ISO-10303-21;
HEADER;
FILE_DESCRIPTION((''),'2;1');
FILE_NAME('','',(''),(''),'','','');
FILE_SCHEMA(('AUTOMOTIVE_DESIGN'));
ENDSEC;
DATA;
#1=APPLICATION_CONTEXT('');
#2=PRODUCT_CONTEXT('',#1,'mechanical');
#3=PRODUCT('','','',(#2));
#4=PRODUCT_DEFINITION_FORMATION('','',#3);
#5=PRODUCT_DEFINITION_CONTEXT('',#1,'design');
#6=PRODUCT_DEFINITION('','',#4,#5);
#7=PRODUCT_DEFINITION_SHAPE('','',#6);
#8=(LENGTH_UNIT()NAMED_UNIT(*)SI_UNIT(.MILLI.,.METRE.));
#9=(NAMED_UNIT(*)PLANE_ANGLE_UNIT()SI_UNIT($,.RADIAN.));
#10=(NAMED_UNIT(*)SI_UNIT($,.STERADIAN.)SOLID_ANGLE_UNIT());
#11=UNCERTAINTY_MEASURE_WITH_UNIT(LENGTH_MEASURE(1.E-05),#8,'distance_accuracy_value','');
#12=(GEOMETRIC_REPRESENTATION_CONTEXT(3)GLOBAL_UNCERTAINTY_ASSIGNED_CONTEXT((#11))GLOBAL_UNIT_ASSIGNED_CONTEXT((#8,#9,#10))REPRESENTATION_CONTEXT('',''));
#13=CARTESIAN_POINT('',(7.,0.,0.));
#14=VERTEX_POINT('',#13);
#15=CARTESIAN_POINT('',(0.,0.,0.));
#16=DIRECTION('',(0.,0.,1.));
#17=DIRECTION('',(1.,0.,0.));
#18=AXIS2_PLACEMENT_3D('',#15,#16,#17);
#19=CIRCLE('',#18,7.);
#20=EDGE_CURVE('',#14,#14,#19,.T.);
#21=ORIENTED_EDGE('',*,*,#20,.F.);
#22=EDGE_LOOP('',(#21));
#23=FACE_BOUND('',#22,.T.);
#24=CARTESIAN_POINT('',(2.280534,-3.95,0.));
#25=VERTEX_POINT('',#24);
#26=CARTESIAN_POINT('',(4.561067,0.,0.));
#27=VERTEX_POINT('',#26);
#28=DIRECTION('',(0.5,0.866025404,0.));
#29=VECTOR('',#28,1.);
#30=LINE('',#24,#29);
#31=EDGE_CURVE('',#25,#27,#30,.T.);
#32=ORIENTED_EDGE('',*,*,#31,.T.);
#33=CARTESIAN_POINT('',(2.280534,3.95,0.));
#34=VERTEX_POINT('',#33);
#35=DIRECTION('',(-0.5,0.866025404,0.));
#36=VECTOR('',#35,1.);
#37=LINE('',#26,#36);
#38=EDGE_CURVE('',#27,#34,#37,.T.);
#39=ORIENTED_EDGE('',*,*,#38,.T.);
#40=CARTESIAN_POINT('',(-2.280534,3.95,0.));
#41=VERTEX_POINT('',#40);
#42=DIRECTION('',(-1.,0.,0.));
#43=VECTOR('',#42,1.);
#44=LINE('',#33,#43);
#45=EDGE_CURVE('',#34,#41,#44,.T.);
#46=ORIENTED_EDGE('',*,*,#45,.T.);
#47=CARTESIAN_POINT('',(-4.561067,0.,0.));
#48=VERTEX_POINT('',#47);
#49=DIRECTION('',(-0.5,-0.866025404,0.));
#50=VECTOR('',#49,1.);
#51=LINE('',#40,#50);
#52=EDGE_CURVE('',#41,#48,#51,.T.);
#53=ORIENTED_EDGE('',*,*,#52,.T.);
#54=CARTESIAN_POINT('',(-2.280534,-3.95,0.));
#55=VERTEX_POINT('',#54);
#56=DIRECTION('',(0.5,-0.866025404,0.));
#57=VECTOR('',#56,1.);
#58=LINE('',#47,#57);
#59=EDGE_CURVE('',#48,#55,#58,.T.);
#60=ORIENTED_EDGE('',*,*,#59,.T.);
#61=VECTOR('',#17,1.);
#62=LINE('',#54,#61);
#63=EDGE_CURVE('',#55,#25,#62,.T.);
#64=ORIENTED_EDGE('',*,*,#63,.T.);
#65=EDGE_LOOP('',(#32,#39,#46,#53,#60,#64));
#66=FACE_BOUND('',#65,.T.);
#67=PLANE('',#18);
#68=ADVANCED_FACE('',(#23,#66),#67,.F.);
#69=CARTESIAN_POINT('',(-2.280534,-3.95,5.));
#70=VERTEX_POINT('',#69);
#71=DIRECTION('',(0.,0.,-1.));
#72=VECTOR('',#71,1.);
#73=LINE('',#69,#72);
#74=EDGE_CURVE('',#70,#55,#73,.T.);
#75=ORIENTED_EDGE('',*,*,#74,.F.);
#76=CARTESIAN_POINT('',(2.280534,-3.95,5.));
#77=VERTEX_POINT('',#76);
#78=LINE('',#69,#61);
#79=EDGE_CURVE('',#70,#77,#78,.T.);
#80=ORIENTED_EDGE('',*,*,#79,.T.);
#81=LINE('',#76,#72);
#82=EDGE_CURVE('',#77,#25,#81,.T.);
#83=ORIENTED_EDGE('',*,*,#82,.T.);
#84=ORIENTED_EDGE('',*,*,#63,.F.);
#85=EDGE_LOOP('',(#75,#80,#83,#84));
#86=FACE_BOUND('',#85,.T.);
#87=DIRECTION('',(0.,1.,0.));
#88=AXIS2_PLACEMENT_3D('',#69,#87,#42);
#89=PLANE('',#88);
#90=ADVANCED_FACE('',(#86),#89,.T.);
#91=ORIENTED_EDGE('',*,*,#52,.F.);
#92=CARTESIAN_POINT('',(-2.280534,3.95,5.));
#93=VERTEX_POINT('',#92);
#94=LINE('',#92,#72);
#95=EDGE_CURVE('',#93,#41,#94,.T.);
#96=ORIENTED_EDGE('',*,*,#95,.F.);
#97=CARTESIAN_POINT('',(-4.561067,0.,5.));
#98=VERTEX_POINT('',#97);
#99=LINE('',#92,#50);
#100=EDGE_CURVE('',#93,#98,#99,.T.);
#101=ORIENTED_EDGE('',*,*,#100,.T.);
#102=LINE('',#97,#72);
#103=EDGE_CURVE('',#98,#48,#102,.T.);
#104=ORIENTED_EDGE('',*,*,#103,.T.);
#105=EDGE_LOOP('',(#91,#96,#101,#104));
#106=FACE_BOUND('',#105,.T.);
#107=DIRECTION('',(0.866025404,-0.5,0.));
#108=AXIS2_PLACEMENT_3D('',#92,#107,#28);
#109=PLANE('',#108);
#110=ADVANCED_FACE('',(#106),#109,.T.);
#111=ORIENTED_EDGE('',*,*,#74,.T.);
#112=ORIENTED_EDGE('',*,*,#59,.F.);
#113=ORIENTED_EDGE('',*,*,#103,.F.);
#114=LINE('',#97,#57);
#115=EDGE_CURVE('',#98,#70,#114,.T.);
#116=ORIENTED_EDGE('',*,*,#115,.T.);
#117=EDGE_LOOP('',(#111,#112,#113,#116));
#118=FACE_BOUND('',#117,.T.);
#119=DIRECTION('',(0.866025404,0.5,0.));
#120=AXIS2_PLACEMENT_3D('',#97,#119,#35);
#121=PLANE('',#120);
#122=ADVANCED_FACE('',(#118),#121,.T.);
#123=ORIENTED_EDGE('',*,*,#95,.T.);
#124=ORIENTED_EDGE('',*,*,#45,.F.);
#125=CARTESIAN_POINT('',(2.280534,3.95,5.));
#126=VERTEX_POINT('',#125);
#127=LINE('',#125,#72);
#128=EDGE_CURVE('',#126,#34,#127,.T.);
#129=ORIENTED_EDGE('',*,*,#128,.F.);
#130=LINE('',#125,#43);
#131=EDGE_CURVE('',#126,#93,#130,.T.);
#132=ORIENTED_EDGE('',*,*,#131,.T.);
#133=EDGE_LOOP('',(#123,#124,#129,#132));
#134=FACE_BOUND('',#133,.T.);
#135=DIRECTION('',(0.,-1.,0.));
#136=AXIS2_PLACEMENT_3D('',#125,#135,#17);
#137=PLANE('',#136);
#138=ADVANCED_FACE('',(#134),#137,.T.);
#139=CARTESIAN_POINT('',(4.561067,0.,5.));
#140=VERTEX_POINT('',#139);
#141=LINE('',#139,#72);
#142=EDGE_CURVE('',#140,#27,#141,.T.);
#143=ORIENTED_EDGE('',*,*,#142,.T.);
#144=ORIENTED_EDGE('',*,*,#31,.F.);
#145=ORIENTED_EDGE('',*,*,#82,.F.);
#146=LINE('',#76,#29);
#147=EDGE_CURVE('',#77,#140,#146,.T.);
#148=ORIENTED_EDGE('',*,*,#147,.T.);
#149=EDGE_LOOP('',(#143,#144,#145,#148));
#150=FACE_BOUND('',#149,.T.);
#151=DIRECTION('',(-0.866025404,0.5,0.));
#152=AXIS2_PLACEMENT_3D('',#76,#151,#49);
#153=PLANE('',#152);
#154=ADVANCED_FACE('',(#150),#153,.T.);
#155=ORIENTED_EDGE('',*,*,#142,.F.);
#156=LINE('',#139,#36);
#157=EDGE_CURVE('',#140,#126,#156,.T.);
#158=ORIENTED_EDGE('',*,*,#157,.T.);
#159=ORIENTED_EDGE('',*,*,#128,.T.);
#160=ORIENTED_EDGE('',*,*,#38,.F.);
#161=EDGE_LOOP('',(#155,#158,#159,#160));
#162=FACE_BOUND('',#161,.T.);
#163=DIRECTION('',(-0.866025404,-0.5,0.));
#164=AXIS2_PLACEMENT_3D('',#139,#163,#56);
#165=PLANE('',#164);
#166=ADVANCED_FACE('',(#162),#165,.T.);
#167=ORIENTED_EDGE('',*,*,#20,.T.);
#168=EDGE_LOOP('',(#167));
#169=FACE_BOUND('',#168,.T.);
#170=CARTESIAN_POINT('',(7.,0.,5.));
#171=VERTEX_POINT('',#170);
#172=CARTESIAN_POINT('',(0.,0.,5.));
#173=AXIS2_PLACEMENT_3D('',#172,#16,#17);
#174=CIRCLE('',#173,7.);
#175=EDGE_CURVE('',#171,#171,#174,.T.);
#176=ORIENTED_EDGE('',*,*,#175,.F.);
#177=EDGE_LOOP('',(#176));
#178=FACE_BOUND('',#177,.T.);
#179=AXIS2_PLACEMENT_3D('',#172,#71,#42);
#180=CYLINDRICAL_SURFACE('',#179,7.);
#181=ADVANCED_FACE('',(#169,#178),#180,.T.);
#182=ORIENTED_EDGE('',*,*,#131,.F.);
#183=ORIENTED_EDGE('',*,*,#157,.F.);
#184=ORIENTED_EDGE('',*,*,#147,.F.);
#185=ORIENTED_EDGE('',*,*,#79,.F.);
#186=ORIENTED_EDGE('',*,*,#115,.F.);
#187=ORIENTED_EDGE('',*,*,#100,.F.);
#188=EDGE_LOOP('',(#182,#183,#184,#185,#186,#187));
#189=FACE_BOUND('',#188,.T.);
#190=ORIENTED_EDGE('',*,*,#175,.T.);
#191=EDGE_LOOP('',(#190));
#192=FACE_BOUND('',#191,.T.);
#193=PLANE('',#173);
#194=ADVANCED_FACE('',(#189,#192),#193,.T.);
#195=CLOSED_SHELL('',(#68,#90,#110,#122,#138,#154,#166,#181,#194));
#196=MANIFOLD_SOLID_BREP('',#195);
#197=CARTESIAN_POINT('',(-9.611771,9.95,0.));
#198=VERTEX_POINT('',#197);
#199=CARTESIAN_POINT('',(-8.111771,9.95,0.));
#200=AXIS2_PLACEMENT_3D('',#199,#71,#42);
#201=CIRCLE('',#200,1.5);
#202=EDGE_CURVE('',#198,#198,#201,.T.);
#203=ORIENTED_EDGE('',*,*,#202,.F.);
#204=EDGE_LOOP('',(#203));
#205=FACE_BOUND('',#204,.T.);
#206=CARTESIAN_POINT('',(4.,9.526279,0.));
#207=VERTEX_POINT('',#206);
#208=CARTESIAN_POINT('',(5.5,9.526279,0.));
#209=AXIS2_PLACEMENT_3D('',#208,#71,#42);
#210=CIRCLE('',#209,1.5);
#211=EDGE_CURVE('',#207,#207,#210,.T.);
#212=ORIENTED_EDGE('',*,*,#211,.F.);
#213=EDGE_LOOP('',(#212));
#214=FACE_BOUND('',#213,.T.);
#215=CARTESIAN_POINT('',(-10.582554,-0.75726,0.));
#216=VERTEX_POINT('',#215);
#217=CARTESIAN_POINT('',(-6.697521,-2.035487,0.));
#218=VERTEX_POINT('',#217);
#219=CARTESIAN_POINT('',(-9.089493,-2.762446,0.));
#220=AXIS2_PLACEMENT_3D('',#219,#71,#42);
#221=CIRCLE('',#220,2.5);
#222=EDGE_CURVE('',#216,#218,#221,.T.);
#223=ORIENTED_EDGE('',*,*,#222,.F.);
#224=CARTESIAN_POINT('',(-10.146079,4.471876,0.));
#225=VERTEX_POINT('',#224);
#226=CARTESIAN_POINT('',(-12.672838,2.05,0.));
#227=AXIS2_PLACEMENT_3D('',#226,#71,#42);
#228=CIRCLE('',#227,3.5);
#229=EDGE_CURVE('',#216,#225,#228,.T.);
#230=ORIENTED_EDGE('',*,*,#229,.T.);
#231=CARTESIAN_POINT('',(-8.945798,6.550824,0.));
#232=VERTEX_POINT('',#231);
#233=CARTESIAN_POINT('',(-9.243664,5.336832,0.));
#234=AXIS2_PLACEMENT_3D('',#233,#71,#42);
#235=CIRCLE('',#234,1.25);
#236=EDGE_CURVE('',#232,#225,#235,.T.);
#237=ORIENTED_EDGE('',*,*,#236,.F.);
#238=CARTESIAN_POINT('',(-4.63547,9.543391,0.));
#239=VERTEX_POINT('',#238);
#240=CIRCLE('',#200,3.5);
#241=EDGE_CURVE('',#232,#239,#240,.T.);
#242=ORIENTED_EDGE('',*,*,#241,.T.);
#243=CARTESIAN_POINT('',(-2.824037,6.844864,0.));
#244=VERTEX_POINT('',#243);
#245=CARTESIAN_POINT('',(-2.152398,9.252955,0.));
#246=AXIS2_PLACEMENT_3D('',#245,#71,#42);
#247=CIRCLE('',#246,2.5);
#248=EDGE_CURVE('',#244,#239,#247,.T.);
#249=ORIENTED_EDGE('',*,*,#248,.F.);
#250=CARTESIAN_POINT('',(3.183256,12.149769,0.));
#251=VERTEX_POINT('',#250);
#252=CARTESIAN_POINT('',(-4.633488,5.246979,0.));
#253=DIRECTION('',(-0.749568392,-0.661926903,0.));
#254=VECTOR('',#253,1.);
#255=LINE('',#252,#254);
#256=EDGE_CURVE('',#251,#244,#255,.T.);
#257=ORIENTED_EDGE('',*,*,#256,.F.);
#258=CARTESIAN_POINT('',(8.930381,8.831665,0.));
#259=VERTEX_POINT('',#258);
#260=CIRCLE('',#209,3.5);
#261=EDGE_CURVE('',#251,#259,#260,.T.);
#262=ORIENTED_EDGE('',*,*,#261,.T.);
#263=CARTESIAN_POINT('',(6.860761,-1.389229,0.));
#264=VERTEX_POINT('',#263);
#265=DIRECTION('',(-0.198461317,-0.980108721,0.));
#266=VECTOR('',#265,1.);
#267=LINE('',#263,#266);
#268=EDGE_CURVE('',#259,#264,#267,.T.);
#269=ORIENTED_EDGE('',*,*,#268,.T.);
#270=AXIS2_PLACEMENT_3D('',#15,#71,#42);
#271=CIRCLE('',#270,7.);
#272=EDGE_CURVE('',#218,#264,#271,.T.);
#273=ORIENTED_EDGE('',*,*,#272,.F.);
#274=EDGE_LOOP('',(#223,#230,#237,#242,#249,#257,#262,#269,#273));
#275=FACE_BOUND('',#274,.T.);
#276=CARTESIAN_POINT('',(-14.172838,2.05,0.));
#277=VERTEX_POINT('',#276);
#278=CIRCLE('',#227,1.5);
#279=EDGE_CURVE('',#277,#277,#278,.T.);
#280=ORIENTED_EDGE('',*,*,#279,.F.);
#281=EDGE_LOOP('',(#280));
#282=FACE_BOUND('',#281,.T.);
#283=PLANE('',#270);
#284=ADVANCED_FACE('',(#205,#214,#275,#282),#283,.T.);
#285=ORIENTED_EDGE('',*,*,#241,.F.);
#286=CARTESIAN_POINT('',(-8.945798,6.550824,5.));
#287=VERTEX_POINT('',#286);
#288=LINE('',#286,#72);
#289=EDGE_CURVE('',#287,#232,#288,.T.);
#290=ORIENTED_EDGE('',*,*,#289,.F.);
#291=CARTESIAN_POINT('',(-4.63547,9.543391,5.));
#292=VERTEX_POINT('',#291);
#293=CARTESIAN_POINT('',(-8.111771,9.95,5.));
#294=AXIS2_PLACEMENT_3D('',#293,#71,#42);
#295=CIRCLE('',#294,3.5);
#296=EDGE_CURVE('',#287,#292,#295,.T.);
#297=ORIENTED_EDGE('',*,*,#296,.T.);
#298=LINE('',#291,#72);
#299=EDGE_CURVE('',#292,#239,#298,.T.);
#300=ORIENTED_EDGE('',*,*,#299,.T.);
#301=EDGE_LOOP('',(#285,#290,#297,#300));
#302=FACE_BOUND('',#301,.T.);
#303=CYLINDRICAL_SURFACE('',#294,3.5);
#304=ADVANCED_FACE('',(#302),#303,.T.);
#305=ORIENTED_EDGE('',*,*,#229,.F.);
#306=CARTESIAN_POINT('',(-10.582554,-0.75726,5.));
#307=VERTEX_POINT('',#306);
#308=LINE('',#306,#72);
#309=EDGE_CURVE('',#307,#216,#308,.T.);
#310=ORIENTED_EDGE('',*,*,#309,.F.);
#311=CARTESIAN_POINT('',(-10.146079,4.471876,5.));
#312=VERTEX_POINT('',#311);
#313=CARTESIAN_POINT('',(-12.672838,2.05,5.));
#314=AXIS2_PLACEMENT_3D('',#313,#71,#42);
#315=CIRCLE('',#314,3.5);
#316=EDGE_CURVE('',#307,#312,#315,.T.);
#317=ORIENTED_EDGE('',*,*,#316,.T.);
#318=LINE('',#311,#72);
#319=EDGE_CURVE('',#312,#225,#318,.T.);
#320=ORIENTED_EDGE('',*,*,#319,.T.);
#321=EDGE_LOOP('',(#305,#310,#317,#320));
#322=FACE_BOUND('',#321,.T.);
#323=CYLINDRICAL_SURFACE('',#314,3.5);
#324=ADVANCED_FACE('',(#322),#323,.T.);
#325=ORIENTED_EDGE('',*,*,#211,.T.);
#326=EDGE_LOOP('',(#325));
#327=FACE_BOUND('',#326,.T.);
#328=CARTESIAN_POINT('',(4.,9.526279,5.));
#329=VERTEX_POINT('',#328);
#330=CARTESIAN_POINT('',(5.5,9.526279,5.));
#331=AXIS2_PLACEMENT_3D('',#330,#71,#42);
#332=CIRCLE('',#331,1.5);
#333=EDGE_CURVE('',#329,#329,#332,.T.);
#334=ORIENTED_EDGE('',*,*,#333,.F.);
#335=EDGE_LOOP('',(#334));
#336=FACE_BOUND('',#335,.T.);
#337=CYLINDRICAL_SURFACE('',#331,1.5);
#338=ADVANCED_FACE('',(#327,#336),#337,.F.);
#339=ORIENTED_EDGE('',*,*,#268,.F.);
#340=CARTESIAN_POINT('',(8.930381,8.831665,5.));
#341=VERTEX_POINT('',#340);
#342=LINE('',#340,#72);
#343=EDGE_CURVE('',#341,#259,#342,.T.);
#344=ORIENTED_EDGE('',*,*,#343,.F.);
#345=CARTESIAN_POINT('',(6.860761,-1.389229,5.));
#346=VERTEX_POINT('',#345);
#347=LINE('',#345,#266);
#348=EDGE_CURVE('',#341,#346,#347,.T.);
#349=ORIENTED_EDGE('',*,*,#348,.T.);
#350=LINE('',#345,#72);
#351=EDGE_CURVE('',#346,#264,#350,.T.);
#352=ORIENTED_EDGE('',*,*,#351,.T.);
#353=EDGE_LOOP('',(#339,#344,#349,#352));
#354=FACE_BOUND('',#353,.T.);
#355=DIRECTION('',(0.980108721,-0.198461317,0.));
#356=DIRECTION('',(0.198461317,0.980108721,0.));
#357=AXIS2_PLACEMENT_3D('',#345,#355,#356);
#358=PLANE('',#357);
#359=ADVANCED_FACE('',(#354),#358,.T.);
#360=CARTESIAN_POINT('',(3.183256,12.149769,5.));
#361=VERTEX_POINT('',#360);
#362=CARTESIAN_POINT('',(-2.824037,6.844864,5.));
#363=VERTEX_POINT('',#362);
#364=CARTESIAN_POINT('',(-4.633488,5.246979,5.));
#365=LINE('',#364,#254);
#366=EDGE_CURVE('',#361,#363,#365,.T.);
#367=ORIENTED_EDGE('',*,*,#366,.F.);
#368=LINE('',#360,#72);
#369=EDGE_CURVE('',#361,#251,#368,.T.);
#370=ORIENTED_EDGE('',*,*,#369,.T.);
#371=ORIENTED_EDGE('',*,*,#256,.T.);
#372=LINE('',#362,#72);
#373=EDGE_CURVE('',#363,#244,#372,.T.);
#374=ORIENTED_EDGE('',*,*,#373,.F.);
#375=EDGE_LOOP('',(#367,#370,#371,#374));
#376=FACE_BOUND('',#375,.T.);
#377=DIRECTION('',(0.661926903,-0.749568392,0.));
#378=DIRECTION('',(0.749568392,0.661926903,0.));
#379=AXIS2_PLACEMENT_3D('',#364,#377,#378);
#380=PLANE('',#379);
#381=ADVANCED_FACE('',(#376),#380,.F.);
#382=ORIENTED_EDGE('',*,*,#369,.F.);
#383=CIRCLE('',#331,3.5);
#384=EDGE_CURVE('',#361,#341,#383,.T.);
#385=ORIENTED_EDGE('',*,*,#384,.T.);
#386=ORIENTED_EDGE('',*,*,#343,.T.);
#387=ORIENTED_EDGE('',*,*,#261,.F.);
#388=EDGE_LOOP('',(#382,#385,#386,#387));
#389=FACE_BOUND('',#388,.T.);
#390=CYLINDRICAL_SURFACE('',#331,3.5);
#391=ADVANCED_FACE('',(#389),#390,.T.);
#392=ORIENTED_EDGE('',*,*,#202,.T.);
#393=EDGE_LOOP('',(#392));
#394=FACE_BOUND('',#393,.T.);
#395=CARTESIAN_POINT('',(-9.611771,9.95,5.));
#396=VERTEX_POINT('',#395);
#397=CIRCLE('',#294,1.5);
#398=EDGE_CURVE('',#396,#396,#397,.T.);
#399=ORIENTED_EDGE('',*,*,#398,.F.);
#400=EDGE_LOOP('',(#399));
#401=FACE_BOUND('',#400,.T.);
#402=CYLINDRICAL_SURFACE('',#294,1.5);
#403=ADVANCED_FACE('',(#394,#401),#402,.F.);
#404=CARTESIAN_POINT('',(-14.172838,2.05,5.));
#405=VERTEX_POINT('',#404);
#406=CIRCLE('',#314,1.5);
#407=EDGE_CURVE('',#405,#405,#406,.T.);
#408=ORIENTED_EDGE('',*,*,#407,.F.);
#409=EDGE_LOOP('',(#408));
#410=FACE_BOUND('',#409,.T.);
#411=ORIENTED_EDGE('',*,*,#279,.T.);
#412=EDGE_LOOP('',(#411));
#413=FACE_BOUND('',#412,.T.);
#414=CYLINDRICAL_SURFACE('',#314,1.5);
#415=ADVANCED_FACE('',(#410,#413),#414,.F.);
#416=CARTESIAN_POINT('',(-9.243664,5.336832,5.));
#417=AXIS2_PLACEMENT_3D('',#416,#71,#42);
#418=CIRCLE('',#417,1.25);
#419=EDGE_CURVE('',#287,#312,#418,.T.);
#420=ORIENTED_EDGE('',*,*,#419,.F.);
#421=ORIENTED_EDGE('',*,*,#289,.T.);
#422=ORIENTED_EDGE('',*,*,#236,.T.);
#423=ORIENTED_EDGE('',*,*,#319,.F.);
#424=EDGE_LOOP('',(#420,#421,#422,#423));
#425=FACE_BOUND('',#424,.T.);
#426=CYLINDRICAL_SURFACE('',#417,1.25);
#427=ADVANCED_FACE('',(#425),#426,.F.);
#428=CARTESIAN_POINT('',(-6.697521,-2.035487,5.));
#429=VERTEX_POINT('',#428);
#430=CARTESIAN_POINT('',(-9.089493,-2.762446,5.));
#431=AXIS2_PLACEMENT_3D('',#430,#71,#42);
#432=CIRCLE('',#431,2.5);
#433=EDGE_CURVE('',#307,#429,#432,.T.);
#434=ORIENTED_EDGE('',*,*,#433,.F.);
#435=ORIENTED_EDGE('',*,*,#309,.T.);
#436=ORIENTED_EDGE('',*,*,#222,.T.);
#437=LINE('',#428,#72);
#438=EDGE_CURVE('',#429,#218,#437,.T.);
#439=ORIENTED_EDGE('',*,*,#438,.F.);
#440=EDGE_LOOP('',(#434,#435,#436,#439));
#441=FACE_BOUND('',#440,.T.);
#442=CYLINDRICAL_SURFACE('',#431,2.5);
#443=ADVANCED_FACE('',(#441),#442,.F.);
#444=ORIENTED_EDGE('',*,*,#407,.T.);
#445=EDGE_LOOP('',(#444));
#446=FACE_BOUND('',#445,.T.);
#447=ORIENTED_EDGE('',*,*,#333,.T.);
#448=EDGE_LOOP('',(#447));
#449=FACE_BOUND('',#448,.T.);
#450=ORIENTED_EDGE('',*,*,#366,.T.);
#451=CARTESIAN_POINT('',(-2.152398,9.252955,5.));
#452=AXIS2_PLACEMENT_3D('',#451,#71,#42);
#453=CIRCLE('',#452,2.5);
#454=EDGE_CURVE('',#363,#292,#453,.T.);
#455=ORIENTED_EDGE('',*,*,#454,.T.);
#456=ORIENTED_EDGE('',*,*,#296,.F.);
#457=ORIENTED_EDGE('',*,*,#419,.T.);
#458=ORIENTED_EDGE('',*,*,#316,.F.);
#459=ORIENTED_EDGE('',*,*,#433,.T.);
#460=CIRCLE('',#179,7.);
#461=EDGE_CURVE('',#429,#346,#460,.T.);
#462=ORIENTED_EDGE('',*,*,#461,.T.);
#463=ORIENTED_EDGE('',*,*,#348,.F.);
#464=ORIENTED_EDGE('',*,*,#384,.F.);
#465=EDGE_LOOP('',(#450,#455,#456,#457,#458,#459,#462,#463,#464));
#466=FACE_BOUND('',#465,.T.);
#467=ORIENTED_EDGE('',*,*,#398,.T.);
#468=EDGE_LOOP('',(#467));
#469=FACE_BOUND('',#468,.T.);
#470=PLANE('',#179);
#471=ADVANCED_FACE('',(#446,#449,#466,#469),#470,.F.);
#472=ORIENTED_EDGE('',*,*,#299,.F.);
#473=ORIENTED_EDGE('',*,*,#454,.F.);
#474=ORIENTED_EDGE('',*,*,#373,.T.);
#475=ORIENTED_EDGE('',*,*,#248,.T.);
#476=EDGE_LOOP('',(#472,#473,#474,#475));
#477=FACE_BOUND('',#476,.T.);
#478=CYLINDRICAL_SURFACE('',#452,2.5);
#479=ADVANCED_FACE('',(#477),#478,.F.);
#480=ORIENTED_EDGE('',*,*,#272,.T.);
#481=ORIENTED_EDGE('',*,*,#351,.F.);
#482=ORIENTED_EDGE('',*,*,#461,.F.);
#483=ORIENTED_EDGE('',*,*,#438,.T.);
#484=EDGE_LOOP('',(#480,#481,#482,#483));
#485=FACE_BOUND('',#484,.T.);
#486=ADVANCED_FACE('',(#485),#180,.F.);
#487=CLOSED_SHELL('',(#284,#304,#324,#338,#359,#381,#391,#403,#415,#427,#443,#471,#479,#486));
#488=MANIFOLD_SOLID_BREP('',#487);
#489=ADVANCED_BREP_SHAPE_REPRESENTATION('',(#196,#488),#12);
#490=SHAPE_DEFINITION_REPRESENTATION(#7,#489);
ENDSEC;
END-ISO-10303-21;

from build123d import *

# Parameters (mm, degrees)
SKETCH_1_R      = 7
EXTRUDE_1_DEPTH = 5
SKETCH_2_R      = 1.5
EXTRUDE_4_DEPTH = 5


with BuildPart() as part:
    # Эскиз1 → Бобышка-Вытянуть1 (new body)
    with BuildSketch(Plane.XY):
        Circle(SKETCH_1_R)
        Polygon((2.280533563, -3.95), (4.561067127, 0), (2.280533563, 3.95), (-2.280533563, 3.95), (-4.561067127, 0), (-2.280533563, -3.95), align=None, mode=Mode.SUBTRACT)
    extrude(amount=EXTRUDE_1_DEPTH)


with BuildPart() as body_2:
    # Эскиз2 → Бобышка-Вытянуть4 (new body)
    with BuildSketch(Plane(origin=(0, 0, 0), x_dir=(-1, 0, 0), z_dir=(0, 0, -1))):
        with BuildLine():
            ThreePointArc((-3.183255839, 12.149768815), (-7.25, 12.557368355), (-8.930380524, 8.831664831))
            Line((-8.930380524, 8.831664831), (-6.860761049, -1.389229221))
            ThreePointArc((-6.860761049, -1.389229221), (0.333277598, 6.992061645), (6.697521487, -2.035486659))
            ThreePointArc((6.697521487, -2.035486659), (8.308163671, -0.387678075), (10.582553783, -0.757260263))
            ThreePointArc((10.582553783, -0.757260263), (16.160709129, 2.341131993), (10.146078615, 4.471876327))
            ThreePointArc((10.146078615, 4.471876327), (8.161132603, 4.711832074), (8.945797756, 6.550823653))
            ThreePointArc((8.945797756, 6.550823653), (10.107834404, 12.825018611), (4.635470256, 9.543390634))
            ThreePointArc((4.635470256, 9.543390634), (4.228105436, 7.859600013), (2.824036783, 6.844864498))
            Line((2.824036783, 6.844864498), (-3.183255839, 12.149768815))
        make_face()
        with Locations((-5.5, 9.526279442)):
            Circle(SKETCH_2_R, mode=Mode.SUBTRACT)
        with Locations((12.672838409, 2.05)):
            Circle(SKETCH_2_R, mode=Mode.SUBTRACT)
        with Locations((8.111771282, 9.95)):
            Circle(SKETCH_2_R, mode=Mode.SUBTRACT)
    extrude(amount=-EXTRUDE_4_DEPTH)


solid = Compound([part.part, body_2.part])
